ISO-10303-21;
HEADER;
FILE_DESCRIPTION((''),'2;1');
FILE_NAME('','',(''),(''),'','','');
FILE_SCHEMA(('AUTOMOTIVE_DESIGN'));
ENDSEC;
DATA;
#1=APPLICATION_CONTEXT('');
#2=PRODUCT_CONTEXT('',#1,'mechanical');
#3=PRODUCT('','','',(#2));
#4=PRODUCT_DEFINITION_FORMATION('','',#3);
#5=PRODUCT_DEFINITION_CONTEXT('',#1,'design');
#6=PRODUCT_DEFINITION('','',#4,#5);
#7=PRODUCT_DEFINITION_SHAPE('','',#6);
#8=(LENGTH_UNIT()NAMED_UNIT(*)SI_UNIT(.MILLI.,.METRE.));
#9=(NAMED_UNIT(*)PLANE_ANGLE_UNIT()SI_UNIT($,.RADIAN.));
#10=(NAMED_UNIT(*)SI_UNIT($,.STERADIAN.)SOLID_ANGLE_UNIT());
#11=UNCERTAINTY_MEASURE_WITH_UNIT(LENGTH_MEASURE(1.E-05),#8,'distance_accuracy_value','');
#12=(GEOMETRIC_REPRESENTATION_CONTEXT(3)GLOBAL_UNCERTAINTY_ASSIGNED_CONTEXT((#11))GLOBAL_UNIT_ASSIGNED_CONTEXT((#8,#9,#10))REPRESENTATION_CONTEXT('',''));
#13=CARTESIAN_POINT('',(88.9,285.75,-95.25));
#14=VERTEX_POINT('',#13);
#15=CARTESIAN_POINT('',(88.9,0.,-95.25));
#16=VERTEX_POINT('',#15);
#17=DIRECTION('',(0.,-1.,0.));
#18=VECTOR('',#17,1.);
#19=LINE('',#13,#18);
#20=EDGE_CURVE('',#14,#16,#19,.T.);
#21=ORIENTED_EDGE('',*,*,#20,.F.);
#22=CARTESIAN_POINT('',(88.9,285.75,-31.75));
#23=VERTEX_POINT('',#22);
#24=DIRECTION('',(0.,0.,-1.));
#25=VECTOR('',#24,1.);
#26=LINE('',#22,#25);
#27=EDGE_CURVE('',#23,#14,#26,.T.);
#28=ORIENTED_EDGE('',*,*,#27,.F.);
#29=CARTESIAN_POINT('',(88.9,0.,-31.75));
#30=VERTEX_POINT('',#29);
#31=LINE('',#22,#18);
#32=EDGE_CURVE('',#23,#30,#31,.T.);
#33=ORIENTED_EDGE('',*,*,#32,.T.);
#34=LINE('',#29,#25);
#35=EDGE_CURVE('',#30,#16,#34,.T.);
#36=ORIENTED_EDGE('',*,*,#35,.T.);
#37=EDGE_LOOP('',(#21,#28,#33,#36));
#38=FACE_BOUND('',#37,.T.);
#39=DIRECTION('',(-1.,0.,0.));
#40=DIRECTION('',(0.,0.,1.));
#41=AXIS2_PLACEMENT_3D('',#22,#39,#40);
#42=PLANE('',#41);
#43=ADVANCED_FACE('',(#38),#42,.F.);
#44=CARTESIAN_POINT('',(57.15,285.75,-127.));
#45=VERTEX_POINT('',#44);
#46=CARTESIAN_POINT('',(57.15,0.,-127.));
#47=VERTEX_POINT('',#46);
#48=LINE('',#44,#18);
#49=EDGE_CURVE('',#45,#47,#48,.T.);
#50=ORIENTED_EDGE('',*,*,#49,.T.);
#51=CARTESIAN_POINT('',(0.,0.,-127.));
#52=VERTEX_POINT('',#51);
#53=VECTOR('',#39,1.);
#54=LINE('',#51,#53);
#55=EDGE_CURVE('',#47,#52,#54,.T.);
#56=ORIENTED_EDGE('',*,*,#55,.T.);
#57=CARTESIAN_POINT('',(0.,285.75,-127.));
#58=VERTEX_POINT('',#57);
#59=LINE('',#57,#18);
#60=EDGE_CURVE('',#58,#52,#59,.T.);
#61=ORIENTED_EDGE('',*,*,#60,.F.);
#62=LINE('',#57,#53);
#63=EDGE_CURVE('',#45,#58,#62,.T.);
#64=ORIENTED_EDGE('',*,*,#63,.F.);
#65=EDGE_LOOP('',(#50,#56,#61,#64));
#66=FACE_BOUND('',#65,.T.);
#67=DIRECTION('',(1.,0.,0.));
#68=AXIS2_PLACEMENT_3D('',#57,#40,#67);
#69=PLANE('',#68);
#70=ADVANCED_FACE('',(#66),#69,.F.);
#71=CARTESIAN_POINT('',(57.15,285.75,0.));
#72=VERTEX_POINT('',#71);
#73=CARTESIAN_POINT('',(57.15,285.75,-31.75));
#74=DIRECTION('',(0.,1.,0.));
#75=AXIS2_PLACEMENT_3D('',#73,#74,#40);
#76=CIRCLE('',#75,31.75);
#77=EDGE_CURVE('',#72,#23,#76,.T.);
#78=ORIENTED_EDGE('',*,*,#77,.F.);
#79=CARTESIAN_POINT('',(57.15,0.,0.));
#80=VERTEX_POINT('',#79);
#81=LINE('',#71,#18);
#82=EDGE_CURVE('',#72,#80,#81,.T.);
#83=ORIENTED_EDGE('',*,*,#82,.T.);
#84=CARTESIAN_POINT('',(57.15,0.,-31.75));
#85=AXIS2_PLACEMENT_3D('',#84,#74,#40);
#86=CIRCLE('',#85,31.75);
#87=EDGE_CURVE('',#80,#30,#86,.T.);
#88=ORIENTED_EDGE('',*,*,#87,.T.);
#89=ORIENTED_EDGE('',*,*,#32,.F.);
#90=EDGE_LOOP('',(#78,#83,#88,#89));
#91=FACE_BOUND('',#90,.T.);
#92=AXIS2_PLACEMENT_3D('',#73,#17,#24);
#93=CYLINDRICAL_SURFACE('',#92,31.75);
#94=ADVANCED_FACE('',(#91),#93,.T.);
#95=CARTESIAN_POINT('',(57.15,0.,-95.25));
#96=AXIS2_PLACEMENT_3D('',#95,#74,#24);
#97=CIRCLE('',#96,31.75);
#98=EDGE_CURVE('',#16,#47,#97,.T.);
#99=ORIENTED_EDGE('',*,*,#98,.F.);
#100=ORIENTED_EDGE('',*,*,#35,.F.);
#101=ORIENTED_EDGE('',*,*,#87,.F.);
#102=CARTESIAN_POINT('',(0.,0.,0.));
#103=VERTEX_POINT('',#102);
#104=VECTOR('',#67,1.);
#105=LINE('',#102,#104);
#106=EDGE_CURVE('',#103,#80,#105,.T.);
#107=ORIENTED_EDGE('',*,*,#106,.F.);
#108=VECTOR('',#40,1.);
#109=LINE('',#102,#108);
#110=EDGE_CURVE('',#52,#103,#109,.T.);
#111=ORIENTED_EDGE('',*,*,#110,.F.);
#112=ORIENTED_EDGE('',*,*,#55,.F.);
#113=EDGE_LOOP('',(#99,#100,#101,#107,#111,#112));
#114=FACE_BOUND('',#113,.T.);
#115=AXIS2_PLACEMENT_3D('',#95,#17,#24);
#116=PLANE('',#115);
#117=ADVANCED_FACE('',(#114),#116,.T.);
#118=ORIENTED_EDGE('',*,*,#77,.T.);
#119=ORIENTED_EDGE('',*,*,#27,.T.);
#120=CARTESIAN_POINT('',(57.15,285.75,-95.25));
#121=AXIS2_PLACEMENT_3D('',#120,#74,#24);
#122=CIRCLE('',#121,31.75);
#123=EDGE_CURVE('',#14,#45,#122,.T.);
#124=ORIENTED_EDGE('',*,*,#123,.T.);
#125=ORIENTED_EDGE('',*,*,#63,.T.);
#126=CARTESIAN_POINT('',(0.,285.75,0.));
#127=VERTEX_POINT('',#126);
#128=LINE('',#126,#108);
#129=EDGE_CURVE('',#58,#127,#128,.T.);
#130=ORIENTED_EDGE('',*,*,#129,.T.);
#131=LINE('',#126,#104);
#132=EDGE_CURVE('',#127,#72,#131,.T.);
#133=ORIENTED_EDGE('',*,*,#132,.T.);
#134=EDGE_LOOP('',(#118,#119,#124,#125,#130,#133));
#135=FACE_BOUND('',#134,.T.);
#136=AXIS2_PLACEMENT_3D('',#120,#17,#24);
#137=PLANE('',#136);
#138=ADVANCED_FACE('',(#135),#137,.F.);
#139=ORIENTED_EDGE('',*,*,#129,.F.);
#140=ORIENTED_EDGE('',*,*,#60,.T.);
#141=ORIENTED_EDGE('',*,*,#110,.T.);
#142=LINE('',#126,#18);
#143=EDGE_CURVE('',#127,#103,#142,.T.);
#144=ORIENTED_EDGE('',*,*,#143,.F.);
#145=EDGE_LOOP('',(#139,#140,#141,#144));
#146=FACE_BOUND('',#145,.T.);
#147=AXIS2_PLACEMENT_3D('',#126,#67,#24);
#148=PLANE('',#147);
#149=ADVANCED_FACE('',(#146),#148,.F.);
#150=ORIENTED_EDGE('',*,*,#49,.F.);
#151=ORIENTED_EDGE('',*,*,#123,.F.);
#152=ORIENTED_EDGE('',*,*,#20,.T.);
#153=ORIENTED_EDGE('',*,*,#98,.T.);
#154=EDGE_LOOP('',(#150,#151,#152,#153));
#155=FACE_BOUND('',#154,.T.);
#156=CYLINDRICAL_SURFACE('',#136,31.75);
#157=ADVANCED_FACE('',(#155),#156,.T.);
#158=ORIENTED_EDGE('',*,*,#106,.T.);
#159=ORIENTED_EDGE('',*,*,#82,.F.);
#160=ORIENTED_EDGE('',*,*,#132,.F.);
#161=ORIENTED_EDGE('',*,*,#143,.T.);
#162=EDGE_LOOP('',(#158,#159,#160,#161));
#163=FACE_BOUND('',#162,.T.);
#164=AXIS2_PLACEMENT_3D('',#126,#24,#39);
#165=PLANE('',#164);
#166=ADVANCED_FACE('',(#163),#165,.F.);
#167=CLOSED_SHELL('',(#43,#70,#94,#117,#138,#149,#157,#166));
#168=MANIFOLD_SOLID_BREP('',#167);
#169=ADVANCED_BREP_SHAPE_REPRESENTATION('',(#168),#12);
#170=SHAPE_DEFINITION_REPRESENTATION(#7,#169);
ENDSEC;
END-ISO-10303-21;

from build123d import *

# Parameters (mm, degrees)
BOSS_EXTRUDE1_DEPTH = 285.75


with BuildPart() as part:
    # Sketch1 → Boss-Extrude1 (new body)
    with BuildSketch(Plane(origin=(0, 0, 0), x_dir=(1, 0, 0), z_dir=(0, 1, 0))):
        with BuildLine():
            Line((0, 0), (57.15, 0))
            ThreePointArc((57.15, 0), (79.600640303, 9.299359697), (88.9, 31.75))
            Line((88.9, 31.75), (88.9, 95.25))
            ThreePointArc((88.9, 95.25), (79.600640303, 117.700640303), (57.15, 127))
            Line((57.15, 127), (0, 127))
            Line((0, 127), (0, 0))
        make_face()
    extrude(amount=BOSS_EXTRUDE1_DEPTH)


solid = part.part
